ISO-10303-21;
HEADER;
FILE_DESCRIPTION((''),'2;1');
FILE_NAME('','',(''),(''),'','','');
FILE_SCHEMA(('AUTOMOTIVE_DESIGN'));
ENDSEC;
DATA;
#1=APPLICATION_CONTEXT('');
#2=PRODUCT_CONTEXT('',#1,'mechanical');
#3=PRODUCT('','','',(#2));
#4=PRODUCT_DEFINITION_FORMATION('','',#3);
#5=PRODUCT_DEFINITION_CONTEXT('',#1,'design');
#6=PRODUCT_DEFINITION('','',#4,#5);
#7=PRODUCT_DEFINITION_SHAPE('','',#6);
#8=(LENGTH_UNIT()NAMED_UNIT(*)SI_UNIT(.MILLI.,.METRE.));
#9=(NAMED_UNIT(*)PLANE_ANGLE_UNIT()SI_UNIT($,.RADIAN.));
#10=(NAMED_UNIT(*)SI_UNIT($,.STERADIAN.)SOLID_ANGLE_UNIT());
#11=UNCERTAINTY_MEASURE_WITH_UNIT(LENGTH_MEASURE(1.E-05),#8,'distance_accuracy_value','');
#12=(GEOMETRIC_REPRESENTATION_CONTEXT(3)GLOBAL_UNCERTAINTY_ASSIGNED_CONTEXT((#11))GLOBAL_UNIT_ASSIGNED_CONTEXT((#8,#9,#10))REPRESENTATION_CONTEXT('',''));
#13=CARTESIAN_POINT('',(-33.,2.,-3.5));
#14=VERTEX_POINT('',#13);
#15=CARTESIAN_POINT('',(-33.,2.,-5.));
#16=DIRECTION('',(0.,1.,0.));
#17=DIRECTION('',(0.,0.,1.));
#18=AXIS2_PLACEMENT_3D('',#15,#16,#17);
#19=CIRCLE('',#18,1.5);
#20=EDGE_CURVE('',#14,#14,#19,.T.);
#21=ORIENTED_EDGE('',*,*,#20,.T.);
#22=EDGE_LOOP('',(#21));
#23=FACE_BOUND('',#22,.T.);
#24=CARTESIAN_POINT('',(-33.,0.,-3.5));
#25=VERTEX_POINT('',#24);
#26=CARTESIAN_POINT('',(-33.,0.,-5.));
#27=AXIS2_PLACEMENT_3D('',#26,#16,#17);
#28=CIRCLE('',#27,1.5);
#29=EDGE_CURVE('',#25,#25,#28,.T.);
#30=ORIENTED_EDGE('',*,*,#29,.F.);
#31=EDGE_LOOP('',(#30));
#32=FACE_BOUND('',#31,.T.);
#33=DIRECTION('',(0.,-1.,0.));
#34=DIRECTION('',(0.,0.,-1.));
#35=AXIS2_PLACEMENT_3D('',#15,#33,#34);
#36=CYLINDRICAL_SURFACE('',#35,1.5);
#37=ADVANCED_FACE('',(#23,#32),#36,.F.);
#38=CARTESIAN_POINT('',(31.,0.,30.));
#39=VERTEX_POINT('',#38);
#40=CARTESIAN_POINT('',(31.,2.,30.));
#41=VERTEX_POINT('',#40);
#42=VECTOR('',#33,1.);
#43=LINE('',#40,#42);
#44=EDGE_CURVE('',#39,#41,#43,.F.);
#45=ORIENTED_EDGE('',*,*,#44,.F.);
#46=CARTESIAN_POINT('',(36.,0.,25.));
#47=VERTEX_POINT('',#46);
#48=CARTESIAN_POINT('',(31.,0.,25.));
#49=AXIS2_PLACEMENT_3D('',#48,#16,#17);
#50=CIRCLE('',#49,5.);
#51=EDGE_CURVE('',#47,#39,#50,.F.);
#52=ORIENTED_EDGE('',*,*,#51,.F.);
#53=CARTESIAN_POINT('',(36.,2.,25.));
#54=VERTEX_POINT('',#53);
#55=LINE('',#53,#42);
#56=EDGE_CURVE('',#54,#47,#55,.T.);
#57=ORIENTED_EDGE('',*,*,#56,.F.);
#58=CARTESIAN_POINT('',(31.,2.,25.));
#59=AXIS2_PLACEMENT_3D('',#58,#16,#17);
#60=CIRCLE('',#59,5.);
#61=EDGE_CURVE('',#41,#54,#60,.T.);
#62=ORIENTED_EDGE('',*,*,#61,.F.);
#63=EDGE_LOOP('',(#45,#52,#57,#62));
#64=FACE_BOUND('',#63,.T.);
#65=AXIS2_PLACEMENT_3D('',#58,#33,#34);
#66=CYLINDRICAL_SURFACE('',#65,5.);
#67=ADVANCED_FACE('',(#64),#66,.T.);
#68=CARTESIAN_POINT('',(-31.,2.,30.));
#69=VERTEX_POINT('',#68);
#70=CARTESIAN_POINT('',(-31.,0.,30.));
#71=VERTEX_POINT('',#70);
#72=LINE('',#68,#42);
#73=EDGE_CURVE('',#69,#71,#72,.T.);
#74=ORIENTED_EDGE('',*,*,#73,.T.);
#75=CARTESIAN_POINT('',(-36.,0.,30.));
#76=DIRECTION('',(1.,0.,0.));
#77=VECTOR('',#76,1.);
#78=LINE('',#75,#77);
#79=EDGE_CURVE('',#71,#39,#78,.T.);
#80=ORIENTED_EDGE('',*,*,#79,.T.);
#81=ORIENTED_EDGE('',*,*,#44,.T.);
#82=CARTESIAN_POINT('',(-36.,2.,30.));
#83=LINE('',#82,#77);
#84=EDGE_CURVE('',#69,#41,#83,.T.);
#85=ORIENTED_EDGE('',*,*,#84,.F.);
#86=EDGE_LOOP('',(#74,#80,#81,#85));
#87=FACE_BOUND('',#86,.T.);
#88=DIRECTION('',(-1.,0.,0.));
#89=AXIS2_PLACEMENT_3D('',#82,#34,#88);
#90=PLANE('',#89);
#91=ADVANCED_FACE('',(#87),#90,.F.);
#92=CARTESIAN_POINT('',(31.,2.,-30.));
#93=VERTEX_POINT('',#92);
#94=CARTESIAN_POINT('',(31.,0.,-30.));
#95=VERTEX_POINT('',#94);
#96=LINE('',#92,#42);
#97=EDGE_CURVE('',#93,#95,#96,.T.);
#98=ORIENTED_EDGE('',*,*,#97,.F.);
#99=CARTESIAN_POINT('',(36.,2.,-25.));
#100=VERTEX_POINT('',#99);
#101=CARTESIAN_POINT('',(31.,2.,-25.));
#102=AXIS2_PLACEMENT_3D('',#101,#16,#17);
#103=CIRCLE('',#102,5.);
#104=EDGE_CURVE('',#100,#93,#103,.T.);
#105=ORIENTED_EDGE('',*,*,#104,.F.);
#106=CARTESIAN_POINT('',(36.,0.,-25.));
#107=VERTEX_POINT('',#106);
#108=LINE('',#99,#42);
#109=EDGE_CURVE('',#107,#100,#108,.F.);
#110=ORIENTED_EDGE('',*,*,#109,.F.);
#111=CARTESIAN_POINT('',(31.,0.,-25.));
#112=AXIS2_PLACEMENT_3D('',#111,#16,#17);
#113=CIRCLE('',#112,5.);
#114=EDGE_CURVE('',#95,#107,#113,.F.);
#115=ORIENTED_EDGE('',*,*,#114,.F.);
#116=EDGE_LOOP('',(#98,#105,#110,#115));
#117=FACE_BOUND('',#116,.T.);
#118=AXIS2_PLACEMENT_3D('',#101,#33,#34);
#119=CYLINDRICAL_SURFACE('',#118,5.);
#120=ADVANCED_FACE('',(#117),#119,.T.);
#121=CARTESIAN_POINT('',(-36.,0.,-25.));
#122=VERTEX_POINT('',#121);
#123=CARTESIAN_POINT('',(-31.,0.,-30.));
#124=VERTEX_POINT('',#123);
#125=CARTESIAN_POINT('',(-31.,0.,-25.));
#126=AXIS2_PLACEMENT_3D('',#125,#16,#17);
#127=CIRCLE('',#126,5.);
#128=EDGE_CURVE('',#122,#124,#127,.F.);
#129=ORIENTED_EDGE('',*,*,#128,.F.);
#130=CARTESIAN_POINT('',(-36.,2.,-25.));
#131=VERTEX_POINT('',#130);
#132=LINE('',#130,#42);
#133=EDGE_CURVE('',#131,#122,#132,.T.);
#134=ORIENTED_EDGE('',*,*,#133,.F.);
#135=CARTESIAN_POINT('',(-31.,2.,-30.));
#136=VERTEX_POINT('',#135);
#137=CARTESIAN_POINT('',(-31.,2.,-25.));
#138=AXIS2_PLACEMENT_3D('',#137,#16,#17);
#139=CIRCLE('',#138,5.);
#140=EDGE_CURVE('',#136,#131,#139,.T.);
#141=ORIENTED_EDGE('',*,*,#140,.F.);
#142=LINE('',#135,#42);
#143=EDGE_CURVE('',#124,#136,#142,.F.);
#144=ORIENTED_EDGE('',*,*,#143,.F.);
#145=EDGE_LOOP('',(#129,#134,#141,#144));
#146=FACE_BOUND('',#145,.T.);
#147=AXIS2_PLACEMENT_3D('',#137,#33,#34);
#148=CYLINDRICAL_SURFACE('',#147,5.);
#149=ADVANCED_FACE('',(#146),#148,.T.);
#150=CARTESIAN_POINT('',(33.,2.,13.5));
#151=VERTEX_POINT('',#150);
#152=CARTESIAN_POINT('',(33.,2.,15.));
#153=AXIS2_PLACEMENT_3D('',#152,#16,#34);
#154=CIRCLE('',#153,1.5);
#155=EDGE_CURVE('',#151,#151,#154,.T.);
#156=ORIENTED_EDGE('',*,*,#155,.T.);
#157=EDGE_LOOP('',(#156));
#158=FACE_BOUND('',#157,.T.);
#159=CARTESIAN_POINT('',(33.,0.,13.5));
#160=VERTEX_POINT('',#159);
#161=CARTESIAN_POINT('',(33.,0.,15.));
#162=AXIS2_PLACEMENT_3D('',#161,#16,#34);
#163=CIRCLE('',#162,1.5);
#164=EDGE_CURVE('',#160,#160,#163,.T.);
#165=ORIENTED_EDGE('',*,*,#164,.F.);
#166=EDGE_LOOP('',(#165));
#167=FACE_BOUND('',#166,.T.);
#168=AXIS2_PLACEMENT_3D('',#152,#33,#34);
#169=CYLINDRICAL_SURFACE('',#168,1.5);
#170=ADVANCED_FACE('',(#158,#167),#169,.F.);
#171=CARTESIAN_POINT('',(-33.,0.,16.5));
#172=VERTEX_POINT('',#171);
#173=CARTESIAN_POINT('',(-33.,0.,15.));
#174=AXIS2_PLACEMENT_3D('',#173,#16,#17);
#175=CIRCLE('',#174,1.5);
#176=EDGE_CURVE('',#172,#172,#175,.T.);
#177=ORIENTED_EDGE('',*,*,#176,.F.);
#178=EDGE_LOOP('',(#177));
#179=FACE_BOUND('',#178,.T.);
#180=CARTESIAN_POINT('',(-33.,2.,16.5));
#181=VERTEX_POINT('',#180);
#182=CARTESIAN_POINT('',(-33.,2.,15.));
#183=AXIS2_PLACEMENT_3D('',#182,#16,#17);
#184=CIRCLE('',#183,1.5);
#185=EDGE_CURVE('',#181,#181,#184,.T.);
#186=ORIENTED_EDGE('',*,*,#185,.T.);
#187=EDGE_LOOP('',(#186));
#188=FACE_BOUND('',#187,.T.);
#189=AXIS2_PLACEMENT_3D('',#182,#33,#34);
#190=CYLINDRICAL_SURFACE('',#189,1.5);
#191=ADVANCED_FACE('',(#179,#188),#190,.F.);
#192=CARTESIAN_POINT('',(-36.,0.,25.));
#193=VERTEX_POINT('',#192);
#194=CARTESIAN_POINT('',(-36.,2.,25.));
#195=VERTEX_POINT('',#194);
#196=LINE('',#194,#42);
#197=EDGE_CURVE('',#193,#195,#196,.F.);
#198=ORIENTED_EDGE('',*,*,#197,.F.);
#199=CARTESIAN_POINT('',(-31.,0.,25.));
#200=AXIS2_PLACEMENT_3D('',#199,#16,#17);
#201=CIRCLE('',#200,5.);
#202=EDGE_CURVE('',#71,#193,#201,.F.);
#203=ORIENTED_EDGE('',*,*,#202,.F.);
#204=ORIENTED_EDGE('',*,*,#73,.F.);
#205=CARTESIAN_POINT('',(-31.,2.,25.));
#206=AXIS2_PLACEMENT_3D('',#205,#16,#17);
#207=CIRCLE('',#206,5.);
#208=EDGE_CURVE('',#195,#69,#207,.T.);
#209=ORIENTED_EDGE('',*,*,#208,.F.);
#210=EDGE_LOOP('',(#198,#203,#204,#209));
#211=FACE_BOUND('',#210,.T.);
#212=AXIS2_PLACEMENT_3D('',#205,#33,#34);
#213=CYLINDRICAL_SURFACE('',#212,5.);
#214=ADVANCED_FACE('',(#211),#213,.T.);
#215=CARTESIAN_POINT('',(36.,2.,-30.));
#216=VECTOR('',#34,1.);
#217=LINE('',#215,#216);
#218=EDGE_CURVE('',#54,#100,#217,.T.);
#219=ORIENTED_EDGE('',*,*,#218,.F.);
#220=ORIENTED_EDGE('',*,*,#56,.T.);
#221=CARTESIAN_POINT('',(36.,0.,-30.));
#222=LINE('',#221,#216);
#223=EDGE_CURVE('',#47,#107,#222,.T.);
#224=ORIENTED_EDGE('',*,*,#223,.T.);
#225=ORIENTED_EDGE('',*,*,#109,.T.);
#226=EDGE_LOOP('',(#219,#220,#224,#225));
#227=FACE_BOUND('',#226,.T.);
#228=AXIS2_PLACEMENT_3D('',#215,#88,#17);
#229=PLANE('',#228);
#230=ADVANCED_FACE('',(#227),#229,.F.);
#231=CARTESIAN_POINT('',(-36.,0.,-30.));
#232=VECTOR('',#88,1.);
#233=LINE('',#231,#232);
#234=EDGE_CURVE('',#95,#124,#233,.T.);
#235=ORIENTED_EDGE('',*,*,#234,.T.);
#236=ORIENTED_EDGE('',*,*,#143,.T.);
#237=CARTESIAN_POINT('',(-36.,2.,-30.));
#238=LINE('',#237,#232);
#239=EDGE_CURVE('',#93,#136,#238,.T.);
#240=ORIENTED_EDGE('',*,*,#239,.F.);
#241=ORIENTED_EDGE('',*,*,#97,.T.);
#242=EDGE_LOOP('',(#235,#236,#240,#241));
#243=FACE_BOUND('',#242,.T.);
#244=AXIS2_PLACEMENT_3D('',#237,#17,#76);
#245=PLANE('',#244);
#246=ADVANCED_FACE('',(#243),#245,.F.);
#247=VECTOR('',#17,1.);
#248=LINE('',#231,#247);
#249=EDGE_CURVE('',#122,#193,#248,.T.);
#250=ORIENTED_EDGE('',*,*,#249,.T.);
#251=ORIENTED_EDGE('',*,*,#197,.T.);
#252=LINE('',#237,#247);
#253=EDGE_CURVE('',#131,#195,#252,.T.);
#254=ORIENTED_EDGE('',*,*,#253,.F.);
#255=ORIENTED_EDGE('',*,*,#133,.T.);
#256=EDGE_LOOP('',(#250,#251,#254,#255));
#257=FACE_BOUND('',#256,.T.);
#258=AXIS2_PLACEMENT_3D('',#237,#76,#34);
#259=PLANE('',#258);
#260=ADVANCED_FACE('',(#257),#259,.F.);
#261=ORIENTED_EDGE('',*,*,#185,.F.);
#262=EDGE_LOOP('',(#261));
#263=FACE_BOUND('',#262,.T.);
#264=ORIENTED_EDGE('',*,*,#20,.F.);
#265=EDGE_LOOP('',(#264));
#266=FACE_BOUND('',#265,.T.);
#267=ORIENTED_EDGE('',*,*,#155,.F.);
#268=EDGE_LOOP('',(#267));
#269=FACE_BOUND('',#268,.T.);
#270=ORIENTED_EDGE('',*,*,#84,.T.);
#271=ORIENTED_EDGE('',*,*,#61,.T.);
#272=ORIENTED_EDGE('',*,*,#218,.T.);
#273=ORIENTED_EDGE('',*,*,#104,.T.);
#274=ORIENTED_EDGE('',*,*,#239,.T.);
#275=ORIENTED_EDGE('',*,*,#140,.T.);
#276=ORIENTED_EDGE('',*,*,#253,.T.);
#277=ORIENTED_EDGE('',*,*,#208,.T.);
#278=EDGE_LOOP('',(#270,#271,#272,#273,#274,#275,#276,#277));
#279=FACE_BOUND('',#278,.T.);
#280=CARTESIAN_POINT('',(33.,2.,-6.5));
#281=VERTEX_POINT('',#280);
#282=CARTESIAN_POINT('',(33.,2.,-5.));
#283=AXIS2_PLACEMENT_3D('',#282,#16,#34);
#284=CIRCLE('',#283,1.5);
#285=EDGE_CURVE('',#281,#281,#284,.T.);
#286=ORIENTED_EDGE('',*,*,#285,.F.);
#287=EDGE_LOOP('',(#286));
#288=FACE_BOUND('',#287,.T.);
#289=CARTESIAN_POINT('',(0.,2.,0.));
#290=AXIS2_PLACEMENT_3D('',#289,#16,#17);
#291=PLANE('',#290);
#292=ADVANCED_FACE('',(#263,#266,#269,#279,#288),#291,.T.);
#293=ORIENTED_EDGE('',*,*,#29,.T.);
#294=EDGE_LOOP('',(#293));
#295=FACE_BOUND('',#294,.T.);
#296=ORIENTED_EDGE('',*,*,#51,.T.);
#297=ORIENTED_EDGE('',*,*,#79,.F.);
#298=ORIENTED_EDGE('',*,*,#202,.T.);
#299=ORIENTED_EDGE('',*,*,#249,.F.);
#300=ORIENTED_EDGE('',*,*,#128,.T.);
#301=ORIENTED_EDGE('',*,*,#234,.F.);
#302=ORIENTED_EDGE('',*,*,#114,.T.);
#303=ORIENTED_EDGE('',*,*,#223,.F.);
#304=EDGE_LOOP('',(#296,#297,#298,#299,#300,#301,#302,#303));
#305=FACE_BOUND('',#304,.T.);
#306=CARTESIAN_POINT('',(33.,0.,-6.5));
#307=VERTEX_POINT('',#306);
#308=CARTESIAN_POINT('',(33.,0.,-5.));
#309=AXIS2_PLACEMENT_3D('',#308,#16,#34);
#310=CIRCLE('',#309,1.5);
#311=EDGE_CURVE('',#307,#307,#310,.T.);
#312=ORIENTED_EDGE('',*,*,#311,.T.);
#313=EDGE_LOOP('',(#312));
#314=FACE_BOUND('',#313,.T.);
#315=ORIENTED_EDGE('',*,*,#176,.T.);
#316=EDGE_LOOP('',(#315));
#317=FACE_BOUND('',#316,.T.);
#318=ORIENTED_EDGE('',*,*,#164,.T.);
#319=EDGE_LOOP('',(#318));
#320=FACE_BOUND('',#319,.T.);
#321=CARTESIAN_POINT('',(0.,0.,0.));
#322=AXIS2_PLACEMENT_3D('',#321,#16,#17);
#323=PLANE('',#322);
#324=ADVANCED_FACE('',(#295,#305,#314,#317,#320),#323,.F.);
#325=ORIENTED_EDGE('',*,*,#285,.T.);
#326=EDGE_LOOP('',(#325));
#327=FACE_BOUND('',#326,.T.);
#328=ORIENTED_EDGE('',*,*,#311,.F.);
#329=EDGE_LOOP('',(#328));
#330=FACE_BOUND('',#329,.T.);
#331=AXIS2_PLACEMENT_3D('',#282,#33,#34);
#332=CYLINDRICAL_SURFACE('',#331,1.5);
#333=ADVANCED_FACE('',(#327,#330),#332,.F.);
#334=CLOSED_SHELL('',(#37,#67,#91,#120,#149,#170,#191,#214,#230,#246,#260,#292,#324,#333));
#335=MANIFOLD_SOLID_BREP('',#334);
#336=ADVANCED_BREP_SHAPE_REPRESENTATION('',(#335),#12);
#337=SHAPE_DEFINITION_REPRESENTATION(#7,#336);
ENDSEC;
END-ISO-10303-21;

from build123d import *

# Parameters (mm, degrees)
SKETCH_1_W      = 72
SKETCH_1_H      = 60
SKETCH_1_R      = 1.5
EXTRUDE_1_DEPTH = 2
FILLET_1_R      = 5


with BuildPart() as part:
    # 草图1 → 凸台-拉伸1 (new body)
    with BuildSketch(Plane(origin=(0, 0, 0), x_dir=(1, 0, 0), z_dir=(0, 1, 0))):
        Rectangle(SKETCH_1_W, SKETCH_1_H)
        with Locations(Location((-33, 5, 0), (0, 0, 270))):
            Circle(SKETCH_1_R, mode=Mode.SUBTRACT)
        with Locations(Location((-33, -15, 0), (0, 0, 270))):
            Circle(SKETCH_1_R, mode=Mode.SUBTRACT)
        with Locations(Location((33, -15, 0), (0, 0, 90))):
            Circle(SKETCH_1_R, mode=Mode.SUBTRACT)
        with Locations(Location((33, 5, 0), (0, 0, 90))):
            Circle(SKETCH_1_R, mode=Mode.SUBTRACT)
    extrude(amount=EXTRUDE_1_DEPTH)

    # 圆角1
    fillet_1_edges = [part.edges().sort_by_distance(p)[0] for p in [
        (36, 1, 30),
        (-36, 1, 30),
        (-36, 1, -30),
        (36, 1, -30),
    ]]
    fillet(fillet_1_edges, radius=FILLET_1_R)


solid = part.part
